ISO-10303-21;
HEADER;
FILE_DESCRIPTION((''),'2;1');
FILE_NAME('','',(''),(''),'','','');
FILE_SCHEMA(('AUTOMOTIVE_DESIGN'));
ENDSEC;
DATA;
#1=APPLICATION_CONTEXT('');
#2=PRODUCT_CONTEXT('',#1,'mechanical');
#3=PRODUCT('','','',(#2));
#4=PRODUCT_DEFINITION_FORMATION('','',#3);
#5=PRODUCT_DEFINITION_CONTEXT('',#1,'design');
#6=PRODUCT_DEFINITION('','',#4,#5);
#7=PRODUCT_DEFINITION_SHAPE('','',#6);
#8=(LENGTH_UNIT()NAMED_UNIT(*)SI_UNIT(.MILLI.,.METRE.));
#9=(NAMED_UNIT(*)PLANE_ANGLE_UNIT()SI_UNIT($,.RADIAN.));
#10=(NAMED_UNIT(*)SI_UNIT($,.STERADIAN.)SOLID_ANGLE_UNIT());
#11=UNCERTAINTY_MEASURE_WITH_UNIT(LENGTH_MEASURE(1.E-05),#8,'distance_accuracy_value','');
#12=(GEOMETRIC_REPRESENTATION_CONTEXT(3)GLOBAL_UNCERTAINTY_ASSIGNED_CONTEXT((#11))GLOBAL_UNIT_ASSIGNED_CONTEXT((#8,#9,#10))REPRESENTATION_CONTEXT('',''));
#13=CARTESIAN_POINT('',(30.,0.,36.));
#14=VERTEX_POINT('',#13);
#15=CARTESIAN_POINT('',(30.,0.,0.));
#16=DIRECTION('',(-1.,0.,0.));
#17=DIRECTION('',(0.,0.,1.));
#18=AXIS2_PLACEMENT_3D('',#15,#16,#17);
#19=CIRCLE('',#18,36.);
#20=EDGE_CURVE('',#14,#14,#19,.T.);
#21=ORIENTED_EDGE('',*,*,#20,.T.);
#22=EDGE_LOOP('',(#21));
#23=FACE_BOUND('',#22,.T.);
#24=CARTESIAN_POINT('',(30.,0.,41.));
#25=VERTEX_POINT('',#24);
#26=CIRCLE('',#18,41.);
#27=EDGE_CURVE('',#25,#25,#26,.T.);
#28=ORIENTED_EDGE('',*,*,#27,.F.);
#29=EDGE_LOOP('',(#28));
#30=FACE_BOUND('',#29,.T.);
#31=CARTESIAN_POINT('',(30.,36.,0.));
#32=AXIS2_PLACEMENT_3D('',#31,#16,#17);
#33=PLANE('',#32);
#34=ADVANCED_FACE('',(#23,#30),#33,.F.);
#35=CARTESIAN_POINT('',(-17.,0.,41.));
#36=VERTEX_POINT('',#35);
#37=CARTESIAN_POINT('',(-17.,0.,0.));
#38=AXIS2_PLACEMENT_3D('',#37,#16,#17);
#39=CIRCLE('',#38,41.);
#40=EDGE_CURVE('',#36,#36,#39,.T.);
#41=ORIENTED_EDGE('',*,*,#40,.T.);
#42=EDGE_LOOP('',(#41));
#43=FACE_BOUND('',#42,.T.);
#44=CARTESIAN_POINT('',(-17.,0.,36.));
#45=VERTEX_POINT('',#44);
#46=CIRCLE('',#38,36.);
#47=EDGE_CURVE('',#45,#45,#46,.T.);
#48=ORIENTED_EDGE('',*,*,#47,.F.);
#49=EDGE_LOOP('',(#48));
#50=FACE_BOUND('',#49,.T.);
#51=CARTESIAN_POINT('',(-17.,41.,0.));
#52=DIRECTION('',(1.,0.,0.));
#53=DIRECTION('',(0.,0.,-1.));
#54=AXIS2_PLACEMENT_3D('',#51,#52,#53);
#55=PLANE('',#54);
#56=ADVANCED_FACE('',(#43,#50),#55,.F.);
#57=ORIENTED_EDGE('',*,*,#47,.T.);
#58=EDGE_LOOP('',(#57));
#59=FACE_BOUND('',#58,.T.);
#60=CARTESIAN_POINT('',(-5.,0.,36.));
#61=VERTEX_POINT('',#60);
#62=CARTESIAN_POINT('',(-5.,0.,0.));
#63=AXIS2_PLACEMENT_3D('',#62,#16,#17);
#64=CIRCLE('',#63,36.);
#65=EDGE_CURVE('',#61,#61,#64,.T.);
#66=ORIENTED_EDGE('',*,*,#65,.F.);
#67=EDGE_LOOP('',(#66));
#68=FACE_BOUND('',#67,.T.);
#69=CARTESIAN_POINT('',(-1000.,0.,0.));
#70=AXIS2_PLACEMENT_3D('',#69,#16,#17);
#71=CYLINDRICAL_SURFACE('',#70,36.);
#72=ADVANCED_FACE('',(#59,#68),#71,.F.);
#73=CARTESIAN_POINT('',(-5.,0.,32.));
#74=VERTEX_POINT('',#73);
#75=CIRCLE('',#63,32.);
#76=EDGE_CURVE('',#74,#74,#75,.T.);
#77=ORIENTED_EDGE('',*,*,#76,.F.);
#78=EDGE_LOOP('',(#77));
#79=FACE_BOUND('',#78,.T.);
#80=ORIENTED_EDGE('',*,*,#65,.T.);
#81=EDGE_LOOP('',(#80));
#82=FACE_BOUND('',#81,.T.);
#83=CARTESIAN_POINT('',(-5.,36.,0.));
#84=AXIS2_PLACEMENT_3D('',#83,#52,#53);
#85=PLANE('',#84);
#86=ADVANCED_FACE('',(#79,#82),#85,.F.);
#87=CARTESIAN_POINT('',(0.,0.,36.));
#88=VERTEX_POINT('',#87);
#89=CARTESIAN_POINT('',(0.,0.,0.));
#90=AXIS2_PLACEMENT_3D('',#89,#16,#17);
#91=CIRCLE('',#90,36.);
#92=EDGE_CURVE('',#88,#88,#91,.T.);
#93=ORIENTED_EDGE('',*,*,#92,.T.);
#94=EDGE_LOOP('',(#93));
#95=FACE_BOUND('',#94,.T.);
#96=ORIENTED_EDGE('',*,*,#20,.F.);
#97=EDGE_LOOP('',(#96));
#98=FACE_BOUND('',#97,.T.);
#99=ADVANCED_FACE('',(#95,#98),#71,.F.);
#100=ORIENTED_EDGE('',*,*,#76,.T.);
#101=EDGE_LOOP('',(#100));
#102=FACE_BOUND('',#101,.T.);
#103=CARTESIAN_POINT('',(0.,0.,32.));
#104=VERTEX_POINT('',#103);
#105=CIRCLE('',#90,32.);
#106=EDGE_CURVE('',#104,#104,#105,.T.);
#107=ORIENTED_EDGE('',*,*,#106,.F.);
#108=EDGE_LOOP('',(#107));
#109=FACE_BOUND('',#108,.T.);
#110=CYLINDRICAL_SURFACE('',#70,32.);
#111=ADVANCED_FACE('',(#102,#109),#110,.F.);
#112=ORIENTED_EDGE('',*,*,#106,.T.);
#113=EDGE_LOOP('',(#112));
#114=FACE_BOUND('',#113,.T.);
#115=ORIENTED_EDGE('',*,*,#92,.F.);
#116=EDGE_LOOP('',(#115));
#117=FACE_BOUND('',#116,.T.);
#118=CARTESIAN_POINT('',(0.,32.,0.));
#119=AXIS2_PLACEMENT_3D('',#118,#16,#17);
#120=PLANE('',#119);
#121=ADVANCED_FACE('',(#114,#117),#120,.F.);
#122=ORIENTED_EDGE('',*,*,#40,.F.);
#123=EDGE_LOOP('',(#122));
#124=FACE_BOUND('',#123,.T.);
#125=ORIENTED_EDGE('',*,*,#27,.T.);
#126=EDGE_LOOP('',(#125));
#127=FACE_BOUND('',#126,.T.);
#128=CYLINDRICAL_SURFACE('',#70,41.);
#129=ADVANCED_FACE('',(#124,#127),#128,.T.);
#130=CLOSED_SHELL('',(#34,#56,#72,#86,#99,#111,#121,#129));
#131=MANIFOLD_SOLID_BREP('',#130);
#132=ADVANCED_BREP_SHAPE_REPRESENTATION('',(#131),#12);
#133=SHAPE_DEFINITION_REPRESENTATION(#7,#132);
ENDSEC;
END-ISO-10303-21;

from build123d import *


with BuildPart() as part:
    # Эскиз1 → Повернуть1 (revolve)
    with BuildSketch(Plane.XY):
        Polygon((-5, 32), (0, 32), (0, 36), (30, 36), (30, 41), (-17, 41), (-17, 36), (-5, 36), align=None)
    revolve(axis=Axis((-1000, 0, 0), (1, 0, 0)))


solid = part.part
